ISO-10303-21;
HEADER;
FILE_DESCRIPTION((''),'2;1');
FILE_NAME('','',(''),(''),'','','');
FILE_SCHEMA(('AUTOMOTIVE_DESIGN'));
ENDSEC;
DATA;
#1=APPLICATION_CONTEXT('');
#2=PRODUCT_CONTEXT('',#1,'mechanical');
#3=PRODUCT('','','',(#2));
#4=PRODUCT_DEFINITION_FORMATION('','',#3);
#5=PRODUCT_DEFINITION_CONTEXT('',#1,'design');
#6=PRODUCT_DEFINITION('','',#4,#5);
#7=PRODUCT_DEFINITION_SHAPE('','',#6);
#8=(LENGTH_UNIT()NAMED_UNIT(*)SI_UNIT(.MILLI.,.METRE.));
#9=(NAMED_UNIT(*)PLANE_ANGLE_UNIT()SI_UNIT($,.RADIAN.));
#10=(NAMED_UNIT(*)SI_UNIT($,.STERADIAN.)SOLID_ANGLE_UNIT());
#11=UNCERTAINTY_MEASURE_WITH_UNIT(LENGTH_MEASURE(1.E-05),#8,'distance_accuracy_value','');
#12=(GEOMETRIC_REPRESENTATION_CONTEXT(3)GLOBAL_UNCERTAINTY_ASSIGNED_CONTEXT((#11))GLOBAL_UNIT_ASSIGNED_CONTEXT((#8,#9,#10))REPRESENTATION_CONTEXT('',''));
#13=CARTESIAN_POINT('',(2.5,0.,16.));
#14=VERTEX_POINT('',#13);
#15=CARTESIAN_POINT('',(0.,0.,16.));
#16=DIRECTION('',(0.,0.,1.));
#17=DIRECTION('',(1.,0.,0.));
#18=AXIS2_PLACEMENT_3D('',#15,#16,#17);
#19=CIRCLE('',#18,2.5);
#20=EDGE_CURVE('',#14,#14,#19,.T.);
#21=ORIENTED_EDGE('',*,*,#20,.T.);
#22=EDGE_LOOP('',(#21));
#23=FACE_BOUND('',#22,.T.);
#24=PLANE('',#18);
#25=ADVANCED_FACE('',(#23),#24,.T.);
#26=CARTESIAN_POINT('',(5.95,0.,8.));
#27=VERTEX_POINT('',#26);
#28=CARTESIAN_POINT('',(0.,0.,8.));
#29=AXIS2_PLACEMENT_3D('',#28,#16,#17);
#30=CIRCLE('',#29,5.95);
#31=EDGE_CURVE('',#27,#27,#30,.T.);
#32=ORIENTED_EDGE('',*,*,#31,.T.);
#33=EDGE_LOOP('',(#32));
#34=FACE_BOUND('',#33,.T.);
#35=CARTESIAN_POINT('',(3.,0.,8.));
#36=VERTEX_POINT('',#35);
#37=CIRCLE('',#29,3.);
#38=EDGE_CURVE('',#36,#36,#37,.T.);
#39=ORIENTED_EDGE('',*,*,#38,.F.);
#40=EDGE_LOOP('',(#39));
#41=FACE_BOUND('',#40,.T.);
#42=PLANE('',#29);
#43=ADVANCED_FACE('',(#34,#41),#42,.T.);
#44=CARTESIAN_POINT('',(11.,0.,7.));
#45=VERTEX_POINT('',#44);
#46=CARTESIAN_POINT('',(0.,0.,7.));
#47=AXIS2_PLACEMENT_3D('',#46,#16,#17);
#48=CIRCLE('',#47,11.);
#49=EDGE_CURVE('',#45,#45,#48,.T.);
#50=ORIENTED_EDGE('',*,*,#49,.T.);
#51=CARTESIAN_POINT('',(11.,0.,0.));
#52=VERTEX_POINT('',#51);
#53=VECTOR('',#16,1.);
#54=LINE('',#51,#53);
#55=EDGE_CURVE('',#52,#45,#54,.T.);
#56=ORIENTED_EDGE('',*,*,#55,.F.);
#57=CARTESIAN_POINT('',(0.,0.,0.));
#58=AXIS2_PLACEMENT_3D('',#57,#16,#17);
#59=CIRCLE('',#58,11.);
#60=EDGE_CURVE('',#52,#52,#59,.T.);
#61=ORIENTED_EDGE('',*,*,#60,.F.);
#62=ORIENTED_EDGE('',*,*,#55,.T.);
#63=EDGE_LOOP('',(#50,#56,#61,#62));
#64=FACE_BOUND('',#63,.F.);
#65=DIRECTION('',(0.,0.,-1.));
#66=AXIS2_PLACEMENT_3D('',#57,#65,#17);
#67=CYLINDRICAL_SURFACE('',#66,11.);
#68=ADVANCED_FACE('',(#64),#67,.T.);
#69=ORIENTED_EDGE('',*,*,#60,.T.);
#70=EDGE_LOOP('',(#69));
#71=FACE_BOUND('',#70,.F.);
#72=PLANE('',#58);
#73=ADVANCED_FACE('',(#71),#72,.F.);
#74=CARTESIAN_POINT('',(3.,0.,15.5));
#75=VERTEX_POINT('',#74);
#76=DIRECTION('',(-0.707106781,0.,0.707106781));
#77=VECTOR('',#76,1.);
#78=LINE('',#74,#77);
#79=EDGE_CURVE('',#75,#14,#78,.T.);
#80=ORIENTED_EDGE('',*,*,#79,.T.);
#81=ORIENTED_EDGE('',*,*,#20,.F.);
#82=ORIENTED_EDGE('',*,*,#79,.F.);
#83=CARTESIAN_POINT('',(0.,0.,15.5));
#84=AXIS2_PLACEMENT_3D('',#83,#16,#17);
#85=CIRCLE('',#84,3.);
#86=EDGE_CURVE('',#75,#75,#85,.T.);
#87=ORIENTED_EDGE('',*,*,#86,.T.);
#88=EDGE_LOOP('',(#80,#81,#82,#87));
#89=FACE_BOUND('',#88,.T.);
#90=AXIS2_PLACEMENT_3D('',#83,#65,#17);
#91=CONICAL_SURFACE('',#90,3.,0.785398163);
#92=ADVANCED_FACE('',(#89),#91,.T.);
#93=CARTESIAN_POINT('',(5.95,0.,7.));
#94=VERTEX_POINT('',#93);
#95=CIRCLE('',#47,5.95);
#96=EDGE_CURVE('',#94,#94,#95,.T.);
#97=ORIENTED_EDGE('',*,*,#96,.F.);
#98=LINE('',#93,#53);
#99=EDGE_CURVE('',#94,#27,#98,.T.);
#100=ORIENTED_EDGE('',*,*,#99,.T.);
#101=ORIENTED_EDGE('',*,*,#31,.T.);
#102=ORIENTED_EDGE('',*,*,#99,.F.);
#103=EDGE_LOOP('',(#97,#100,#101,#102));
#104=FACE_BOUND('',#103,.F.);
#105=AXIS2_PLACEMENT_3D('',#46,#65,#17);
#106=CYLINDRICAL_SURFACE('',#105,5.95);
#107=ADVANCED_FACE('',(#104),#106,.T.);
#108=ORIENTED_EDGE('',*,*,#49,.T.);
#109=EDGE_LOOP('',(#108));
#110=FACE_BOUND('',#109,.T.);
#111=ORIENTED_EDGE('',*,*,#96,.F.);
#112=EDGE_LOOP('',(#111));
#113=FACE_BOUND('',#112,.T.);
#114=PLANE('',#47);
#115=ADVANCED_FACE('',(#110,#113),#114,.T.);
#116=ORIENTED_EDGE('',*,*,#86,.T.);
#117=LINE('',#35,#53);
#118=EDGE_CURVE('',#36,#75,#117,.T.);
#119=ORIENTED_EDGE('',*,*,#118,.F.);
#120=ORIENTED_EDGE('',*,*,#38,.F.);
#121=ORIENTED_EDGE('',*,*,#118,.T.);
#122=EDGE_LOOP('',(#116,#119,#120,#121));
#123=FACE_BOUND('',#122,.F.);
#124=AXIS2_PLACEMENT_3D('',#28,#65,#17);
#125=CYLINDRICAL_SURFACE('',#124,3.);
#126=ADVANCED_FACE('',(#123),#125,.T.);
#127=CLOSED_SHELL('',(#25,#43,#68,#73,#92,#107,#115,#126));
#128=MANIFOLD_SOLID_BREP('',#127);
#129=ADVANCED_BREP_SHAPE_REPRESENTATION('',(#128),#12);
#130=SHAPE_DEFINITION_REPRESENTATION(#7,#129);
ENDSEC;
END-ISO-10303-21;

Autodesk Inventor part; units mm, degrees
ref_plane "YZ Plane" through (0, 0, 0) normal (1, 0, 0) x (0, 1, 0)
ref_plane "XZ Plane" through (0, 0, 0) normal (0, 1, 0) x (-1, 0, 0)
ref_plane "XY Plane" through (0, 0, 0) normal (0, 0, 1) x (1, 0, 0)
sketch "草圖1" plane through (0, 0, 0) normal (0, 0, 1) x (1, 0, 0)
  circle A0 centre (0, 0) radius 11
  dimension "d0" = 22
extrude "擠出1" add sketch "草圖1" along normal blind 7
sketch "草圖2" plane through (0, 0, 7) normal (0, 0, 1) x (1, 0, 0)
  circle A0 centre (0, 0) radius 5.95
  dimension "d3" = 11.9
extrude "擠出2" add sketch "草圖2" along normal blind 1
sketch "草圖3" plane through (0, 0, 8) normal (0, 0, 1) x (1, 0, 0)
  circle A0 centre (0, 0) radius 3
  dimension "d6" = 6
extrude "擠出3" add sketch "草圖3" along normal blind 8
chamfer "倒角1" distance 0.5 angle 45 1 edges at (-3, 0, 16)
properties part number "bearing 22-M6"
